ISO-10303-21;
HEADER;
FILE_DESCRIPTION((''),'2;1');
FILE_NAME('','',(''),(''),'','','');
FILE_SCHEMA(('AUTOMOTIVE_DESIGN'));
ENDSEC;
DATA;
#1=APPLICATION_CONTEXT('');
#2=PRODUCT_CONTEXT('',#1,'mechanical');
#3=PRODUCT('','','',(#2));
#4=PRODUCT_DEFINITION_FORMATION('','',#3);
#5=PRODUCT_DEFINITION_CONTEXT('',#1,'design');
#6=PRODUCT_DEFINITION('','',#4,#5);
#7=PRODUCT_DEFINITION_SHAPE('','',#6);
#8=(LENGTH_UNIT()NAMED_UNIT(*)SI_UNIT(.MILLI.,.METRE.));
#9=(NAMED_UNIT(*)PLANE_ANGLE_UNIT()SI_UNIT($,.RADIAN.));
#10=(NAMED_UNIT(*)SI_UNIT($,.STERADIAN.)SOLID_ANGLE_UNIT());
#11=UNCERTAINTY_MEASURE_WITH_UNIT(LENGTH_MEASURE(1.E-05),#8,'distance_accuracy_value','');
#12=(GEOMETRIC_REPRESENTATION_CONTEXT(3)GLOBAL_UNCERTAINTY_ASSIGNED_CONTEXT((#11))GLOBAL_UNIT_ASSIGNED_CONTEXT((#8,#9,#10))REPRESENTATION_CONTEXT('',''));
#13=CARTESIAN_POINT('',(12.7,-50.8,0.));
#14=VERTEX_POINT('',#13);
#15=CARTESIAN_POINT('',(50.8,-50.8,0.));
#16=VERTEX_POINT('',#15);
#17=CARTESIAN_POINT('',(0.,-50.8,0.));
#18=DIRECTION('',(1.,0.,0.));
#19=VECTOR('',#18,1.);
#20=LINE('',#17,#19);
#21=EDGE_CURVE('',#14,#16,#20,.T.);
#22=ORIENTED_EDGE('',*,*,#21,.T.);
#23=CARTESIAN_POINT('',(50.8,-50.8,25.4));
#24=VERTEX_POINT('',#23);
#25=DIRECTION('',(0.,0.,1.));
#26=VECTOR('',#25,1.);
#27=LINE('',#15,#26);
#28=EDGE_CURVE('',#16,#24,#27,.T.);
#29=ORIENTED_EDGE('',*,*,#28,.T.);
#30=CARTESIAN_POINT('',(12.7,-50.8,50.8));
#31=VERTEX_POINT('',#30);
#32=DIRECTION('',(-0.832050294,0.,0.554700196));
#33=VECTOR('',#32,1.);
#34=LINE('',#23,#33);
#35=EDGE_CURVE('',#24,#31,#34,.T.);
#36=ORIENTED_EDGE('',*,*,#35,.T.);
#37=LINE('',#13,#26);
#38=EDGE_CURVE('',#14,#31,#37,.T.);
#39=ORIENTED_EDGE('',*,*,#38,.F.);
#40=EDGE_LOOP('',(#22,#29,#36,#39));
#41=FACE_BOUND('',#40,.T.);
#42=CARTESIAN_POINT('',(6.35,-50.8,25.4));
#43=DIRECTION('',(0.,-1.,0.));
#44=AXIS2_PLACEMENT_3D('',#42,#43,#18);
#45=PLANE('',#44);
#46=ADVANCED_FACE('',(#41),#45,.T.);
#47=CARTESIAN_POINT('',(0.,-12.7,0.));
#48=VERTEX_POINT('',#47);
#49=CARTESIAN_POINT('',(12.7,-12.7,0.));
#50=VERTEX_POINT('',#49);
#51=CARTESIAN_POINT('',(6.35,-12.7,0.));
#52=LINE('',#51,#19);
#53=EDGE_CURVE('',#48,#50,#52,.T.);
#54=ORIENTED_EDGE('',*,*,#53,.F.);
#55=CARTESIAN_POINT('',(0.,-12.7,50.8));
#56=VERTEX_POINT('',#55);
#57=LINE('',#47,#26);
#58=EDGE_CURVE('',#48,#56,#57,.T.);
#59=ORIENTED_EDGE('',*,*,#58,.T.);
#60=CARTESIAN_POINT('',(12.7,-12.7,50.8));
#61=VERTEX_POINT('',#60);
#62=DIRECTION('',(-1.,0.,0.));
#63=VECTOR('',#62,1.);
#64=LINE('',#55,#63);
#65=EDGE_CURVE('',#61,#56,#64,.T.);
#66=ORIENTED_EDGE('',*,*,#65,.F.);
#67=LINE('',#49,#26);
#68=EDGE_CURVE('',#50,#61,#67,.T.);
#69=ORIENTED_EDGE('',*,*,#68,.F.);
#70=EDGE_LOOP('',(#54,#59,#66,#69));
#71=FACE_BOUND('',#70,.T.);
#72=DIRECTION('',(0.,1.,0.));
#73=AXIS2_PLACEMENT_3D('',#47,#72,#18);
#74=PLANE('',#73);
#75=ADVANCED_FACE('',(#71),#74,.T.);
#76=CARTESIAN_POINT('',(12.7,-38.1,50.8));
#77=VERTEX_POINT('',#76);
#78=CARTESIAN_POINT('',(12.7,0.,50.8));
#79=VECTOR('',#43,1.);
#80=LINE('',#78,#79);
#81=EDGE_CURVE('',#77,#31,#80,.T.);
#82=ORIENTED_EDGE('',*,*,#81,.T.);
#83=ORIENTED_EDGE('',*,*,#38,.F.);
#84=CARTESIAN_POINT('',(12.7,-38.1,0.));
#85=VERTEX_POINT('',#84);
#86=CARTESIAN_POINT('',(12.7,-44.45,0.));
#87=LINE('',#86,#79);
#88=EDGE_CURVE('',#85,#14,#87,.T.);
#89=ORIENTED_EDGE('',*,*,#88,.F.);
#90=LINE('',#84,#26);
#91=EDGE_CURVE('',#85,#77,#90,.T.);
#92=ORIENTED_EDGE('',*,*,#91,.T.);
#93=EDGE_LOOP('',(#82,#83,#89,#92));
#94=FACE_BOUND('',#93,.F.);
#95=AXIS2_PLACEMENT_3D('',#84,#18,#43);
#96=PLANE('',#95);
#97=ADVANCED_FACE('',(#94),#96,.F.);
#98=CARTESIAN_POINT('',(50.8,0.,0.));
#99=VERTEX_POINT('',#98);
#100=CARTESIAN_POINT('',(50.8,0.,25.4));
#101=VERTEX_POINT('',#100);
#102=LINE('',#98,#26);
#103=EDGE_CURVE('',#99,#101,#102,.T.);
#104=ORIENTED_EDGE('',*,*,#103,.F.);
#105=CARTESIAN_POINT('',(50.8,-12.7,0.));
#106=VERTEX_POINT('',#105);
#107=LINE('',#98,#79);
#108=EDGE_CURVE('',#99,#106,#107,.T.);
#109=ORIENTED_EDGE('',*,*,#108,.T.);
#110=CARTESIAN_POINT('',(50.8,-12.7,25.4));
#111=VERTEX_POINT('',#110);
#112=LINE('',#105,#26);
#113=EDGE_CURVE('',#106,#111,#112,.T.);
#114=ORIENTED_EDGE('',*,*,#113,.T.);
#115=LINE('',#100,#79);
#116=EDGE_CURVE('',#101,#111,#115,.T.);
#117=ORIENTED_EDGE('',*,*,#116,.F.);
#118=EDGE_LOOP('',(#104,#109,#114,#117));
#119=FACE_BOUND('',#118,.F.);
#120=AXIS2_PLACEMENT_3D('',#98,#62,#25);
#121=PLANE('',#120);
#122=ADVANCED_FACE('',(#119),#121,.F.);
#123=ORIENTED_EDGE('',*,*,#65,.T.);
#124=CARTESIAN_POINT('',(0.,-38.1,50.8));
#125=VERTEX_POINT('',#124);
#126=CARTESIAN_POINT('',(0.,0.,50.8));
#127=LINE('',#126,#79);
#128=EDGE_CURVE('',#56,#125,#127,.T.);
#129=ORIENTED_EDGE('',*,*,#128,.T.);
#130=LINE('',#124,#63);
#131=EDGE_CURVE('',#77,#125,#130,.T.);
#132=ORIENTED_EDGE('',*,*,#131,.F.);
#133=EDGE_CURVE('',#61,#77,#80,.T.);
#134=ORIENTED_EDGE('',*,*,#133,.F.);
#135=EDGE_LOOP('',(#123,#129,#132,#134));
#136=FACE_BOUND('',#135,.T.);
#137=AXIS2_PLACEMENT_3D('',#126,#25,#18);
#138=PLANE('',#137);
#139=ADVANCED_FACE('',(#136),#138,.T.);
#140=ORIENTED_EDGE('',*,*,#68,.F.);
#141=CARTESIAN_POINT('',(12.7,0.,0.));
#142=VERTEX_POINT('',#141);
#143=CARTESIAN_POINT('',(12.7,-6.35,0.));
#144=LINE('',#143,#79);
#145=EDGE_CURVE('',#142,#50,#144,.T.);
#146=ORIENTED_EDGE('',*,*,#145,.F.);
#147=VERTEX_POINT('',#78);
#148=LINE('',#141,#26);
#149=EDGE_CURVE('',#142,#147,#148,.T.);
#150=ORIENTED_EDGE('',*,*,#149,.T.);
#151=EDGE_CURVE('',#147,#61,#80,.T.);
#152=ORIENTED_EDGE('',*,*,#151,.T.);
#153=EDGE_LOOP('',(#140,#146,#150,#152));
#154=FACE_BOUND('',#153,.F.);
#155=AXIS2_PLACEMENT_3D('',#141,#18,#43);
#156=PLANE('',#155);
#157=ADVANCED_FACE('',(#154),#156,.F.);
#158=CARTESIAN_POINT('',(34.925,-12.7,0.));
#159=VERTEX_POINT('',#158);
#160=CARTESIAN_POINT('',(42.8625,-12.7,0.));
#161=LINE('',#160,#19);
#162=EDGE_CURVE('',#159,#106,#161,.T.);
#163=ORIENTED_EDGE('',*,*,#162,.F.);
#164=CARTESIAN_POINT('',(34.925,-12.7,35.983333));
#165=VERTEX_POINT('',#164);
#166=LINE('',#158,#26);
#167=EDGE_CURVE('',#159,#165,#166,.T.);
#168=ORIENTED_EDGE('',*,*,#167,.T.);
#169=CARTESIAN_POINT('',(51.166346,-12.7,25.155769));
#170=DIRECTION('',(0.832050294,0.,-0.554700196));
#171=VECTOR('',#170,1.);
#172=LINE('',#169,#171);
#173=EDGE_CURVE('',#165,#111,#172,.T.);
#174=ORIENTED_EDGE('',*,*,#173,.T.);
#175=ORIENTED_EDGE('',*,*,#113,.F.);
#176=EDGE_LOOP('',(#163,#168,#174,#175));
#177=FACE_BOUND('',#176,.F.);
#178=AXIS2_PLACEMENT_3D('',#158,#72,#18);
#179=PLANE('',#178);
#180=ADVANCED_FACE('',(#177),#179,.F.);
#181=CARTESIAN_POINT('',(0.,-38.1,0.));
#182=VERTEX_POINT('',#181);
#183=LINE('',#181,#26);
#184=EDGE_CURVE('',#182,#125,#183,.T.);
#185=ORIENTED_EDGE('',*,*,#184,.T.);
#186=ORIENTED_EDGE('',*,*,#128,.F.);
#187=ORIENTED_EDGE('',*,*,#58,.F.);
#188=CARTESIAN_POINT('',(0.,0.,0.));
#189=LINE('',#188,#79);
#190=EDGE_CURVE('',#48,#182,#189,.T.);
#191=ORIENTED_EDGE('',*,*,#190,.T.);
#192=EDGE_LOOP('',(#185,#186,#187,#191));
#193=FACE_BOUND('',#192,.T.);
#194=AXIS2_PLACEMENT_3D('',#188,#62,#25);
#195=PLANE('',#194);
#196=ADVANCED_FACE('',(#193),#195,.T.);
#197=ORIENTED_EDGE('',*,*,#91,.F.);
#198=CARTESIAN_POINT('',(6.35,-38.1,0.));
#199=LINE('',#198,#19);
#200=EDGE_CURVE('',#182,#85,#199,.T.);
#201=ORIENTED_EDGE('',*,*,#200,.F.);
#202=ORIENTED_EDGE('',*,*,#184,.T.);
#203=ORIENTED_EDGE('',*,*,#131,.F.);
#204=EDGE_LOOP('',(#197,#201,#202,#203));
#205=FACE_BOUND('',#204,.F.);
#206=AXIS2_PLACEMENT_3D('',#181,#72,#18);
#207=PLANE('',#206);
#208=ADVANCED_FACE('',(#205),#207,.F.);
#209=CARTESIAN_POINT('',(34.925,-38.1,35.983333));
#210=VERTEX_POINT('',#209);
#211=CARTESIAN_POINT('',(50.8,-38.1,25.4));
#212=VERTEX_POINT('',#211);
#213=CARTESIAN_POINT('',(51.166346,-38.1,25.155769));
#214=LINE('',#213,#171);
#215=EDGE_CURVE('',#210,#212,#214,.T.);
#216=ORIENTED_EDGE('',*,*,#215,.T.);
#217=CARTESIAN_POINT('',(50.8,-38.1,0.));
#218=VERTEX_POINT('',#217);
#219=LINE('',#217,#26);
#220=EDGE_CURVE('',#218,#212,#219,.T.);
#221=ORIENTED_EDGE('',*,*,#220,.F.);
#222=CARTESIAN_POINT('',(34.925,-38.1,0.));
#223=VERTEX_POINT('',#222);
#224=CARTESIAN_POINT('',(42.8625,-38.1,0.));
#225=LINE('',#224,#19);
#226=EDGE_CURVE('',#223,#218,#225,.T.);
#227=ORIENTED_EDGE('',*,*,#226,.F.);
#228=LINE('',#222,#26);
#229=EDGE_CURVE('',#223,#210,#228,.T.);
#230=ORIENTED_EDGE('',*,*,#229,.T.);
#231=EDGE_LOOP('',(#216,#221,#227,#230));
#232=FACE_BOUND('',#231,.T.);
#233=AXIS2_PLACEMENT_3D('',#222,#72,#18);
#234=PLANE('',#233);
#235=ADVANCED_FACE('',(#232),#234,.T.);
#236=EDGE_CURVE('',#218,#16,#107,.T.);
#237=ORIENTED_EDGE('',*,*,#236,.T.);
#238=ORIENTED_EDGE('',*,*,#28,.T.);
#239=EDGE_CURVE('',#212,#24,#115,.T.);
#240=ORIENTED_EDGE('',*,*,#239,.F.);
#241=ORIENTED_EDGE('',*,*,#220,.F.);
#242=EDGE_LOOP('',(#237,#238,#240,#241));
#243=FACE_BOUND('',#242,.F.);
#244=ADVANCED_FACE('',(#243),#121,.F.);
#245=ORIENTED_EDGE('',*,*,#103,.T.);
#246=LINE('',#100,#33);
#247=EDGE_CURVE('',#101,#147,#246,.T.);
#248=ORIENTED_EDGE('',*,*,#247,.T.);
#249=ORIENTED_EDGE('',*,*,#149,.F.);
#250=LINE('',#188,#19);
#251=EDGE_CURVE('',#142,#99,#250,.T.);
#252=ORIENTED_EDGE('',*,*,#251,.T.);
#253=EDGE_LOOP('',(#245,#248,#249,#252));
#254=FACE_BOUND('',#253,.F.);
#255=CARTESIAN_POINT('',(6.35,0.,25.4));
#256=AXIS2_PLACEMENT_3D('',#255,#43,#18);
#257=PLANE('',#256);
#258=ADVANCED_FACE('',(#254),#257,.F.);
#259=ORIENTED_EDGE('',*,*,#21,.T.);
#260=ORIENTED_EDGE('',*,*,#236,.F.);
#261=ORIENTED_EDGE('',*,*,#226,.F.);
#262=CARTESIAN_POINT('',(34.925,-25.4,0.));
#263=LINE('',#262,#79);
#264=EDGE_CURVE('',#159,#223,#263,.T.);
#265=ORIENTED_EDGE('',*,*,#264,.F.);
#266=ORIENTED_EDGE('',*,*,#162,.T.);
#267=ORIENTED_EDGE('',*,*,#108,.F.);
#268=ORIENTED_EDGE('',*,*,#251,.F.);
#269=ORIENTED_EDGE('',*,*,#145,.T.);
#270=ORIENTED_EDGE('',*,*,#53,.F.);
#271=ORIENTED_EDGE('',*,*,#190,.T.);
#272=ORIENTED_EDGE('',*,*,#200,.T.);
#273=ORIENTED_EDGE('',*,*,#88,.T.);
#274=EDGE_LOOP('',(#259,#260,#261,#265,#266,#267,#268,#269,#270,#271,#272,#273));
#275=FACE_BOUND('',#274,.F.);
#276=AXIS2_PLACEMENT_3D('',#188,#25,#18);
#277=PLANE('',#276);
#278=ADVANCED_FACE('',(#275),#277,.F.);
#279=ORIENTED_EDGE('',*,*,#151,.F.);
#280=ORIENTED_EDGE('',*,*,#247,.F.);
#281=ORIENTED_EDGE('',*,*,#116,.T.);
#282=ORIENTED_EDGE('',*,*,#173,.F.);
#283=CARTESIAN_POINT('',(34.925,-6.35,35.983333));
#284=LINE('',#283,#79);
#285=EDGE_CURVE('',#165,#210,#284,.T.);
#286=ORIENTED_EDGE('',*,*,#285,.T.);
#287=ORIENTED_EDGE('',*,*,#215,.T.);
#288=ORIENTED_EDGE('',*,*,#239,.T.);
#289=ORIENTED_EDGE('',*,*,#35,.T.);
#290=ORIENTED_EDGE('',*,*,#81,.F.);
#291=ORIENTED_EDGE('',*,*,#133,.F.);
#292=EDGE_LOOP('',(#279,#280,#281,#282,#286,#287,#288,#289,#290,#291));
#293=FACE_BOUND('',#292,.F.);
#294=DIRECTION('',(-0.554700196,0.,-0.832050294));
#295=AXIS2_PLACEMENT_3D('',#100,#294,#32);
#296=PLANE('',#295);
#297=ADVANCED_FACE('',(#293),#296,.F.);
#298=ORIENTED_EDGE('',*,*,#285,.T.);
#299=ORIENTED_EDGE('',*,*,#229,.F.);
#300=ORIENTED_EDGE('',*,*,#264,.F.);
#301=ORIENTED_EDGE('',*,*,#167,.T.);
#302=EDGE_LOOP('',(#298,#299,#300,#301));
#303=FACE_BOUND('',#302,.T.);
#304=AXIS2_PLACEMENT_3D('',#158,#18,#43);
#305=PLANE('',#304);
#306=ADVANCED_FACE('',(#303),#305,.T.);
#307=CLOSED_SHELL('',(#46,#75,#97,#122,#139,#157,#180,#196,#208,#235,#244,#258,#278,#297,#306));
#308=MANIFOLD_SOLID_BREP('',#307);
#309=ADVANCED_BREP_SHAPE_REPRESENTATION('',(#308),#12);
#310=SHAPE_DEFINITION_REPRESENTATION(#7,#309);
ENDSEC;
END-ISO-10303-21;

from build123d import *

# Parameters (mm, degrees)
F0_W     = 12.7
F0_H     = 50.8
F1_DEPTH = 50.8
F2_W     = 12.7
F2_H     = 12.7
F2_W_2   = 15.875
F2_H_2   = 25.4
F3_DEPTH = 50.801


with BuildPart() as f1:
    # F0 (on Front) → F1 (new body)
    with BuildSketch(Plane.XZ):
        with Locations((6.35, 25.4)):
            Rectangle(F0_W, F0_H)
        Polygon((12.7, 50.8), (12.7, 0), (50.8, 0), (50.8, 25.4), align=None)
    extrude(amount=F1_DEPTH)

    # F2 (on face) → F3 (cut, through all)
    with BuildSketch(Plane(origin=(0, 0, 0), x_dir=(1, 0, 0), z_dir=(0, 0, -1))):
        with Locations((6.35, 44.45)):
            Rectangle(F2_W, F2_H)
        with Locations((6.35, 6.35)):
            Rectangle(F2_W, F2_H)
        with Locations((42.8625, 25.4)):
            Rectangle(F2_W_2, F2_H_2)
    extrude(amount=-F3_DEPTH, mode=Mode.SUBTRACT)


solid = f1.part
